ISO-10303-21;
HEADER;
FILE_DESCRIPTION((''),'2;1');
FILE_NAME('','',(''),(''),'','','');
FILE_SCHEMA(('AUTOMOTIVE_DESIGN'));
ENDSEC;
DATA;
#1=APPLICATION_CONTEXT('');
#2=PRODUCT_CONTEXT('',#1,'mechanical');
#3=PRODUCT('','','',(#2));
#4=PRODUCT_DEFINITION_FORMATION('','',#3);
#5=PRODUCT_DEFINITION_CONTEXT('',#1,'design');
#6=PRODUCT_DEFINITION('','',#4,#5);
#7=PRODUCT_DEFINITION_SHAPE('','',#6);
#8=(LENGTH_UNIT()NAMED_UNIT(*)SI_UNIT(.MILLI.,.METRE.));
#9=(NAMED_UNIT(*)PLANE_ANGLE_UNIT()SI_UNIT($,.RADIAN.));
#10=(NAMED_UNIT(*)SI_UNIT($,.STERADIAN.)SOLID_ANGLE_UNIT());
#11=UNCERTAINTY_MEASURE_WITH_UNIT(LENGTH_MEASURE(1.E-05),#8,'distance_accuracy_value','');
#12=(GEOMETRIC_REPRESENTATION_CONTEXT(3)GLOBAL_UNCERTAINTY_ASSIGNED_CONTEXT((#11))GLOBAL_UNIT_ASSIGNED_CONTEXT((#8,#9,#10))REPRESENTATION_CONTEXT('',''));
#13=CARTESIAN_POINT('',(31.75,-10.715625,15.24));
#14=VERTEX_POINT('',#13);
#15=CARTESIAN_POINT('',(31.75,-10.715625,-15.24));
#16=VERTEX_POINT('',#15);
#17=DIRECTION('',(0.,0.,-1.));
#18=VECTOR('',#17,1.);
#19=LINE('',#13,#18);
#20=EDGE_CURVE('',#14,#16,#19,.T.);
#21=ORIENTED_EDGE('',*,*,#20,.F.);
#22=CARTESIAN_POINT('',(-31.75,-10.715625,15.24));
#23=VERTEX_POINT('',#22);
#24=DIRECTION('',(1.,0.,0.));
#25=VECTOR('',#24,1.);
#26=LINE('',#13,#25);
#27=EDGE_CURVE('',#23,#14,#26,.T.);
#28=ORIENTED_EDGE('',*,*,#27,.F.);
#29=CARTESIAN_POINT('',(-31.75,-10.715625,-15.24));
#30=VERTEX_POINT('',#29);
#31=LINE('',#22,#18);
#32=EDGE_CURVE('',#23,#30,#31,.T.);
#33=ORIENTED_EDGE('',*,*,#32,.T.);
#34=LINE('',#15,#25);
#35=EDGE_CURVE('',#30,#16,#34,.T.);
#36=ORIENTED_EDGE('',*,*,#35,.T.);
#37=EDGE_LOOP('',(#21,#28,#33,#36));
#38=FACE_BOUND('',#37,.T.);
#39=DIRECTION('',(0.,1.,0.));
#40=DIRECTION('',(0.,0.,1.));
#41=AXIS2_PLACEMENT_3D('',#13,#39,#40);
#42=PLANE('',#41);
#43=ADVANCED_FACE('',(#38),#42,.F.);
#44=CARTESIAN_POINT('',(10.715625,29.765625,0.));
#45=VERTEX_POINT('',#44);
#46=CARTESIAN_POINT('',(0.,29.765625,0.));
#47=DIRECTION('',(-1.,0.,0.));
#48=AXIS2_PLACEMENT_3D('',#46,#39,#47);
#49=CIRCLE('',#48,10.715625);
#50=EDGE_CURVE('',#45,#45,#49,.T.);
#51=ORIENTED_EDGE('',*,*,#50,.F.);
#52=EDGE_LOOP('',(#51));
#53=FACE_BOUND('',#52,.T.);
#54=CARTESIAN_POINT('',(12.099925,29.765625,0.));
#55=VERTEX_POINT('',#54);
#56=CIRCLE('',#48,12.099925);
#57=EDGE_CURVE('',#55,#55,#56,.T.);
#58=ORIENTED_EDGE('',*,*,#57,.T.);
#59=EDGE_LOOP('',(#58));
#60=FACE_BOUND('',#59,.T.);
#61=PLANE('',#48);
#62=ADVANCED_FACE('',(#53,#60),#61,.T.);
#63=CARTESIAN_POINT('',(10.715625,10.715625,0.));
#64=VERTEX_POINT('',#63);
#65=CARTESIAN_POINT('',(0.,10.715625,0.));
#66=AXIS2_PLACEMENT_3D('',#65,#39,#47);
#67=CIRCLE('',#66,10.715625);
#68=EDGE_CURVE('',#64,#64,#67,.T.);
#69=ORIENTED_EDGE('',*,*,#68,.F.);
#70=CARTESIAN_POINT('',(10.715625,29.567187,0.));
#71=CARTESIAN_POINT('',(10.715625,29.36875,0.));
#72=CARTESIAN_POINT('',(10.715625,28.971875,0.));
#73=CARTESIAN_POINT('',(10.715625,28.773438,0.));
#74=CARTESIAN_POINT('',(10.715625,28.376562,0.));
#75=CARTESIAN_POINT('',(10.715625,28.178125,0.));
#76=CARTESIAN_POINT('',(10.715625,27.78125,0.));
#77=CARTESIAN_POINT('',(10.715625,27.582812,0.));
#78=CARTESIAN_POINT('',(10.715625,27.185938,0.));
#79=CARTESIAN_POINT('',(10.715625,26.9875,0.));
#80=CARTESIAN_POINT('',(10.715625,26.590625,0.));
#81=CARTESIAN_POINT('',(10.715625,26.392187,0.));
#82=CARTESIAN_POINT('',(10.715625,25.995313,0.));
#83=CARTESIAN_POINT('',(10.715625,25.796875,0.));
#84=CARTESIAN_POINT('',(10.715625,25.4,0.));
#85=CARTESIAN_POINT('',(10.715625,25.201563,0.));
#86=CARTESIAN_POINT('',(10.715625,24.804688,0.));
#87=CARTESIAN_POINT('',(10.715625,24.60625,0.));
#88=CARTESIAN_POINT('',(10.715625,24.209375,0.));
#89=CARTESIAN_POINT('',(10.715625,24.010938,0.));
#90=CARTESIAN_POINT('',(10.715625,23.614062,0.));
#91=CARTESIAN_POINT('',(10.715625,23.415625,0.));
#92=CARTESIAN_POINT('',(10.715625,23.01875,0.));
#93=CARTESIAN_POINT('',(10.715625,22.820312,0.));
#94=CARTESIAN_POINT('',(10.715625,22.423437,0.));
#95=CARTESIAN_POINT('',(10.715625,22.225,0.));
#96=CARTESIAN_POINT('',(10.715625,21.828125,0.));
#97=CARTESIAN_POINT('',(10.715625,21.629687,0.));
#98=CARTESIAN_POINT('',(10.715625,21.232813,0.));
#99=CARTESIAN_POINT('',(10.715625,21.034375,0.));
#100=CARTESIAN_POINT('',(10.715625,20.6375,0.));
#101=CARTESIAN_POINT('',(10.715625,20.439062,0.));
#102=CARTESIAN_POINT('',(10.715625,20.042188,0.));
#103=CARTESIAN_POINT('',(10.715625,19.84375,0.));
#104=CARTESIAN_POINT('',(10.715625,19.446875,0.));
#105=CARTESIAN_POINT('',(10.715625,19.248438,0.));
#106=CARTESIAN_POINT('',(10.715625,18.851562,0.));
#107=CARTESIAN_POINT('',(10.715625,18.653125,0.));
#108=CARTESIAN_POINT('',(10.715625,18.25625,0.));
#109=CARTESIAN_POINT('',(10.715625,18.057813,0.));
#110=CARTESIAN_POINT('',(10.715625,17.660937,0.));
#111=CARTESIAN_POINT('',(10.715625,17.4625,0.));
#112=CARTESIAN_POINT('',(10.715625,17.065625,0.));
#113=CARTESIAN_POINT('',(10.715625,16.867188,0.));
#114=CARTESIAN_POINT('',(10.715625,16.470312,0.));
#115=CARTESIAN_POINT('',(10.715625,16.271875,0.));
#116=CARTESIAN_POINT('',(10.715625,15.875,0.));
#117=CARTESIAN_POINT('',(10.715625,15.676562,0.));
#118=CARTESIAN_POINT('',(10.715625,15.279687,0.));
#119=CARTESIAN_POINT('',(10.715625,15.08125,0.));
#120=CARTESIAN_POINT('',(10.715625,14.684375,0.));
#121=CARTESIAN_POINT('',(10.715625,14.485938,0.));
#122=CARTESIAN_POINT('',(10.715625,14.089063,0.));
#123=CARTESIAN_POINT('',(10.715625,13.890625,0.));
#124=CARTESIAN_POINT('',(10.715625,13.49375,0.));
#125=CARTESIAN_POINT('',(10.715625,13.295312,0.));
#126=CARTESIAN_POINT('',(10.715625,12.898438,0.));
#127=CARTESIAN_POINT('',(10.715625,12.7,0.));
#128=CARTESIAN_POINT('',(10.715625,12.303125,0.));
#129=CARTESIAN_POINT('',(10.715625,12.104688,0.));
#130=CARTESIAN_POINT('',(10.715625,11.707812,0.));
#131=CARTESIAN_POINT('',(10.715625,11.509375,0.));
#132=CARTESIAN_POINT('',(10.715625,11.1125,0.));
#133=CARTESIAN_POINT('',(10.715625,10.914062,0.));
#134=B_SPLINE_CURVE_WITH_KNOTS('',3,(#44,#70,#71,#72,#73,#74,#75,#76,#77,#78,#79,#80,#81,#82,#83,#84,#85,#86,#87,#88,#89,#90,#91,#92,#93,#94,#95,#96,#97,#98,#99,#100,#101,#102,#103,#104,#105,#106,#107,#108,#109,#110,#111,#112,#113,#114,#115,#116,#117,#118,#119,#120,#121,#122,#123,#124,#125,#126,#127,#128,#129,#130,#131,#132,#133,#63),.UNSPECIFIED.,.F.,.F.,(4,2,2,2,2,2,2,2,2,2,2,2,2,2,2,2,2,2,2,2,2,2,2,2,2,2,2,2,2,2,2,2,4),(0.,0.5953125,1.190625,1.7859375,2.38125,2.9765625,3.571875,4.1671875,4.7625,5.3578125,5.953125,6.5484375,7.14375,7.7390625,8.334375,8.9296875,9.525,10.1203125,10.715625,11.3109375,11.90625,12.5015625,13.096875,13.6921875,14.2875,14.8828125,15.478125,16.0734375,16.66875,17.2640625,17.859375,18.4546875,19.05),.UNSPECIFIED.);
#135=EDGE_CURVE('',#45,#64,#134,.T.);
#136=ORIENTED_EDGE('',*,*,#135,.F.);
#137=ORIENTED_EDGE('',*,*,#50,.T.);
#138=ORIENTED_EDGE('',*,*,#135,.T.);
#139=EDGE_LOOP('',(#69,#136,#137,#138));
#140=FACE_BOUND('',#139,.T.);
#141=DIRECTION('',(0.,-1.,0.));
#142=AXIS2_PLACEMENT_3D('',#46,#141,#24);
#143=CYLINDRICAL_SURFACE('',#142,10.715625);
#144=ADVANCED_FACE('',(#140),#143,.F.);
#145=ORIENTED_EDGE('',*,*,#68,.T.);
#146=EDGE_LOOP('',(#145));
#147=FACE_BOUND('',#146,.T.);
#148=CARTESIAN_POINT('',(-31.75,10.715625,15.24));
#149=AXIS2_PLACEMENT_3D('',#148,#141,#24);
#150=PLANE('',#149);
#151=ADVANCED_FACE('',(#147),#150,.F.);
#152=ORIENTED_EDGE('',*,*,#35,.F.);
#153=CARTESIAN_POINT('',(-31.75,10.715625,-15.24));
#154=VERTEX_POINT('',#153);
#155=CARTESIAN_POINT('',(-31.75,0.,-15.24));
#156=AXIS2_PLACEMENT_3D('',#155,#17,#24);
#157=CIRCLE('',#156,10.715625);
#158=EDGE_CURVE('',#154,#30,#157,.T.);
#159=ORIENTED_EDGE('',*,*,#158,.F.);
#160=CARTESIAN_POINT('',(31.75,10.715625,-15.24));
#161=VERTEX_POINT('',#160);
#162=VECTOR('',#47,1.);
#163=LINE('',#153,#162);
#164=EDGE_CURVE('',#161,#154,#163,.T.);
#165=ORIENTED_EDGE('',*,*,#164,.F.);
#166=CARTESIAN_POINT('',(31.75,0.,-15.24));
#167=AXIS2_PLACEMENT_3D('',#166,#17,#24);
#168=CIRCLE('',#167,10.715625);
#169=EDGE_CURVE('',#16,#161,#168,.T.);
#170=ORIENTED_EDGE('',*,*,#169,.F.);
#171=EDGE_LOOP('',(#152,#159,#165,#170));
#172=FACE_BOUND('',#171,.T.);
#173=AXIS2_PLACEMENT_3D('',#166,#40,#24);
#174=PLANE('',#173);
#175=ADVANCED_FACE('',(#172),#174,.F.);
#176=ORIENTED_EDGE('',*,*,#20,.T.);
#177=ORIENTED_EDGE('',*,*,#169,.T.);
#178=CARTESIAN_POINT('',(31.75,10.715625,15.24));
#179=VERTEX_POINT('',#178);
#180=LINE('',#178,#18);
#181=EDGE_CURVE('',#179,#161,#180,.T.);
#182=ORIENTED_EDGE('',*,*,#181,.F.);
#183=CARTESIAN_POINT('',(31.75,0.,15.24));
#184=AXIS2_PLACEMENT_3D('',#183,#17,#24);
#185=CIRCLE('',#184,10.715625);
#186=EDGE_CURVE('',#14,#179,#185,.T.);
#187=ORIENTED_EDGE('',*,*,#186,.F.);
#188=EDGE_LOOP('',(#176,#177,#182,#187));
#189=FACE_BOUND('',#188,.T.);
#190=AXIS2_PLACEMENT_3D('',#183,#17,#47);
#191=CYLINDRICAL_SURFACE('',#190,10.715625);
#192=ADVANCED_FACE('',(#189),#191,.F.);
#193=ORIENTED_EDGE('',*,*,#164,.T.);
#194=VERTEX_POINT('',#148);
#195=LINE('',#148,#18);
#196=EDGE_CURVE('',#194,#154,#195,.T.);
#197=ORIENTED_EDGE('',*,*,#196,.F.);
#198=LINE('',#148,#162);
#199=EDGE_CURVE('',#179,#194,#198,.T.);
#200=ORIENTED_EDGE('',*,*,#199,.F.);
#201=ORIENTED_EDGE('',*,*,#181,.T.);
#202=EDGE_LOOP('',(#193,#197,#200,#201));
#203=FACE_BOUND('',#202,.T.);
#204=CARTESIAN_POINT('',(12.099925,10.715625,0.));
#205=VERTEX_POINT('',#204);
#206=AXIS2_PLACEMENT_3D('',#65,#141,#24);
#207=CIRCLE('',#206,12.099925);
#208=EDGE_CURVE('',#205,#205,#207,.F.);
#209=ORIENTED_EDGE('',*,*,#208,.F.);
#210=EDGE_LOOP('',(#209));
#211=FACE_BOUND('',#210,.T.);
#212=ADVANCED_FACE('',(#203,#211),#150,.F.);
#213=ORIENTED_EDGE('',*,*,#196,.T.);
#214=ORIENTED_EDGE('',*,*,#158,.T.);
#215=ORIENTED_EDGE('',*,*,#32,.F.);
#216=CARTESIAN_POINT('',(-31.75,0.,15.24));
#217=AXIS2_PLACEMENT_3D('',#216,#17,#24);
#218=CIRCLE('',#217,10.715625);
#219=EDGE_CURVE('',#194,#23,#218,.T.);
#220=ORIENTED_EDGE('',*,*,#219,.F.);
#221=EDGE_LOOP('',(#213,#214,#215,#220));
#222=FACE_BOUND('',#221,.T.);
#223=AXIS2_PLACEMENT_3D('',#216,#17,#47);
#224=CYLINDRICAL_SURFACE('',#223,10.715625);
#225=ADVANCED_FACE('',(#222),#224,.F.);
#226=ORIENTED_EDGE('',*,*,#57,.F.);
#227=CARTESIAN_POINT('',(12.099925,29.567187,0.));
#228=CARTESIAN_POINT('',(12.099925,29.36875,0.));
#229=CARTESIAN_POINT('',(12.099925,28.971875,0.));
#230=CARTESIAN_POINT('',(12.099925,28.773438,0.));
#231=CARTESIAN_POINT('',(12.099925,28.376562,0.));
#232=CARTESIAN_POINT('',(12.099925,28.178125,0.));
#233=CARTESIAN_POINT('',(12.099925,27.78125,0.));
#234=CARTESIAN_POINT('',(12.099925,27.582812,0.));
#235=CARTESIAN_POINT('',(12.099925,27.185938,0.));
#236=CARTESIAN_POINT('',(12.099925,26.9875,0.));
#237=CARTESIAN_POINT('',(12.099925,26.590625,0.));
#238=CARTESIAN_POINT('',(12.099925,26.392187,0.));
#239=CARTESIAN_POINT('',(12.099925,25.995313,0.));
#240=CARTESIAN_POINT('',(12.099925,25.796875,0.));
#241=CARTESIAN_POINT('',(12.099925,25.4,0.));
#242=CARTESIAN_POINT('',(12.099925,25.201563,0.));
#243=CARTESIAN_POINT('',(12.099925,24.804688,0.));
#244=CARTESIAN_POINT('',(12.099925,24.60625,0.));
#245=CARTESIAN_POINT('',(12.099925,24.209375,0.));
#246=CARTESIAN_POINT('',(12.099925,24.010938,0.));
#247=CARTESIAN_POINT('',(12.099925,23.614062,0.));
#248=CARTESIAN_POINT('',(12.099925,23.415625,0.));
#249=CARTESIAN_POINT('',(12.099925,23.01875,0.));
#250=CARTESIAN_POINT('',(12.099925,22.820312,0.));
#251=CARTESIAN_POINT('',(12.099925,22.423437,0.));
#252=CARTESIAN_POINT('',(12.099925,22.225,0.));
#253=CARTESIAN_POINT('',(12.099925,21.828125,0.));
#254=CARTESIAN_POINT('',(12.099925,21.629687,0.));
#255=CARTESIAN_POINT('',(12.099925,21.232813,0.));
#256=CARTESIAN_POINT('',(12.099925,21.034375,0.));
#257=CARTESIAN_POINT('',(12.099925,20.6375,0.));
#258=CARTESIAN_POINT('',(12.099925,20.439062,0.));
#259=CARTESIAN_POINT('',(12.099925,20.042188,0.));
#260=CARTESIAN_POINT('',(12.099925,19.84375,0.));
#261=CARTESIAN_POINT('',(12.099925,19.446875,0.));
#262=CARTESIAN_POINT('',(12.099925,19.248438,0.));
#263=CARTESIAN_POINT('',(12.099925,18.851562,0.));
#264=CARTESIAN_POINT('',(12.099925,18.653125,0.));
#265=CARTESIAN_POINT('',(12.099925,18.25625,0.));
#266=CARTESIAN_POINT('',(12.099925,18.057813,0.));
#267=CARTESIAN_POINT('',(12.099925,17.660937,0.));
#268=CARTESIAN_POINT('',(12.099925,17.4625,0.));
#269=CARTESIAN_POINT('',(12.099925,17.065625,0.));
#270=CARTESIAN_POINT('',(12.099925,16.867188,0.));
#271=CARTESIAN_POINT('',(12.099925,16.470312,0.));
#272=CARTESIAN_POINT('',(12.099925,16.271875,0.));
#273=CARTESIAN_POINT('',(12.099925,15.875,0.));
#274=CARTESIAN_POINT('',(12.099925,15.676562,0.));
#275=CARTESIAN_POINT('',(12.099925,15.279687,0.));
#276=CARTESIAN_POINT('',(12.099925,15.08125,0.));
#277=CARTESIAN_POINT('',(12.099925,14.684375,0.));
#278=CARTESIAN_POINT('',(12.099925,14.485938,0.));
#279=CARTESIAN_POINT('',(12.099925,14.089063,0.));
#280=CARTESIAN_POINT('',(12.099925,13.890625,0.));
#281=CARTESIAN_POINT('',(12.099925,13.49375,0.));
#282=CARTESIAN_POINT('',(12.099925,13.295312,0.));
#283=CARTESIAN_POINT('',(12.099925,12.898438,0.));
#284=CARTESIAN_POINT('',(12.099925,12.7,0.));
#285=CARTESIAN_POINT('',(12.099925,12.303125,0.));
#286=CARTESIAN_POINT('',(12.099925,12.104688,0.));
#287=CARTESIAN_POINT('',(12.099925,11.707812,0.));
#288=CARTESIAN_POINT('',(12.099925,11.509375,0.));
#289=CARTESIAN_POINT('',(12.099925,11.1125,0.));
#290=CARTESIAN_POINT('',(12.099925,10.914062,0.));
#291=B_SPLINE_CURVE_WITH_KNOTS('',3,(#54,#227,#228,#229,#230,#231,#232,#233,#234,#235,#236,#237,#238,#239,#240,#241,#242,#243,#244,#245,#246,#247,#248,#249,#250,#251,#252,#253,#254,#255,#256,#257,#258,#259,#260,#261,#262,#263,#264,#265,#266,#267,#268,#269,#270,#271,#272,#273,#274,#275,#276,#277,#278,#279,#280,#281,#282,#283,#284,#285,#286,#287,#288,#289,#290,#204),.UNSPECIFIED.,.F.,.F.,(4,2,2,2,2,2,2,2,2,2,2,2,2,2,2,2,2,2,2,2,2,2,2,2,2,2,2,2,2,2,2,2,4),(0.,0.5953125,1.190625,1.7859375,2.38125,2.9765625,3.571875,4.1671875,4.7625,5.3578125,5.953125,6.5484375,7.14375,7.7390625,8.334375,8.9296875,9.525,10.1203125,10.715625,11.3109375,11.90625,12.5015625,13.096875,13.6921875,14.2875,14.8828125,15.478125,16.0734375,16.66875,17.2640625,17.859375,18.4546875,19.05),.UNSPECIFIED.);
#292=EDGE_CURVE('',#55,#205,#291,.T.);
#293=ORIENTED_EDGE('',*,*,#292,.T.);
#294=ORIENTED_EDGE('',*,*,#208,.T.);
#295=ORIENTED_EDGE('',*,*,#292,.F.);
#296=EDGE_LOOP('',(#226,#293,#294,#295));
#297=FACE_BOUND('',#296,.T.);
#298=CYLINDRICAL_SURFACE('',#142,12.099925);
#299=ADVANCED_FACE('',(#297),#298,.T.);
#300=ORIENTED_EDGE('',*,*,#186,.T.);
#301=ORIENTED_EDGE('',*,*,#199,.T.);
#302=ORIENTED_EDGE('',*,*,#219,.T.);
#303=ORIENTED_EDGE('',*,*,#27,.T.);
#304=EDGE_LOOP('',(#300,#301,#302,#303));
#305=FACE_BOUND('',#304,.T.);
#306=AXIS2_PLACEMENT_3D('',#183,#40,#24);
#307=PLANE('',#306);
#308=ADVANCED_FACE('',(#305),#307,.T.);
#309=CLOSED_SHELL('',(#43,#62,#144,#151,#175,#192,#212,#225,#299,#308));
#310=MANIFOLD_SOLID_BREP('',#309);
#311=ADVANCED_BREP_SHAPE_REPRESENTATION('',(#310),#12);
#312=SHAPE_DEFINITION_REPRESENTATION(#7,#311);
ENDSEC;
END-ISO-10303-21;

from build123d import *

# Parameters (mm, degrees)
BOSS_EXTRUDE2_DEPTH = 15.24
SKETCH3_R           = 12.099925
SKETCH3_R_2         = 10.715625
BOSS_EXTRUDE3_DEPTH = 19.05


with BuildPart() as part:
    # Sketch1 → Boss-Extrude2 (new, symmetric)
    with BuildSketch(Plane.XY):
        with BuildLine():
            Line((-31.75, 10.715625), (31.75, 10.715625))
            ThreePointArc((31.75, 10.715625), (21.034375, 0), (31.75, -10.715625))
            Line((31.75, -10.715625), (-31.75, -10.715625))
            ThreePointArc((-31.75, -10.715625), (-21.034375, 0), (-31.75, 10.715625))
        make_face()
    extrude(amount=BOSS_EXTRUDE2_DEPTH, both=True)

    # Sketch3 → Boss-Extrude3 (add)
    with BuildSketch(Plane(origin=(0, 10.715625, 0), x_dir=(1, 0, 0), z_dir=(0, 1, 0))):
        Circle(SKETCH3_R)
        Circle(SKETCH3_R_2, mode=Mode.SUBTRACT)
    extrude(amount=BOSS_EXTRUDE3_DEPTH)


solid = part.part
